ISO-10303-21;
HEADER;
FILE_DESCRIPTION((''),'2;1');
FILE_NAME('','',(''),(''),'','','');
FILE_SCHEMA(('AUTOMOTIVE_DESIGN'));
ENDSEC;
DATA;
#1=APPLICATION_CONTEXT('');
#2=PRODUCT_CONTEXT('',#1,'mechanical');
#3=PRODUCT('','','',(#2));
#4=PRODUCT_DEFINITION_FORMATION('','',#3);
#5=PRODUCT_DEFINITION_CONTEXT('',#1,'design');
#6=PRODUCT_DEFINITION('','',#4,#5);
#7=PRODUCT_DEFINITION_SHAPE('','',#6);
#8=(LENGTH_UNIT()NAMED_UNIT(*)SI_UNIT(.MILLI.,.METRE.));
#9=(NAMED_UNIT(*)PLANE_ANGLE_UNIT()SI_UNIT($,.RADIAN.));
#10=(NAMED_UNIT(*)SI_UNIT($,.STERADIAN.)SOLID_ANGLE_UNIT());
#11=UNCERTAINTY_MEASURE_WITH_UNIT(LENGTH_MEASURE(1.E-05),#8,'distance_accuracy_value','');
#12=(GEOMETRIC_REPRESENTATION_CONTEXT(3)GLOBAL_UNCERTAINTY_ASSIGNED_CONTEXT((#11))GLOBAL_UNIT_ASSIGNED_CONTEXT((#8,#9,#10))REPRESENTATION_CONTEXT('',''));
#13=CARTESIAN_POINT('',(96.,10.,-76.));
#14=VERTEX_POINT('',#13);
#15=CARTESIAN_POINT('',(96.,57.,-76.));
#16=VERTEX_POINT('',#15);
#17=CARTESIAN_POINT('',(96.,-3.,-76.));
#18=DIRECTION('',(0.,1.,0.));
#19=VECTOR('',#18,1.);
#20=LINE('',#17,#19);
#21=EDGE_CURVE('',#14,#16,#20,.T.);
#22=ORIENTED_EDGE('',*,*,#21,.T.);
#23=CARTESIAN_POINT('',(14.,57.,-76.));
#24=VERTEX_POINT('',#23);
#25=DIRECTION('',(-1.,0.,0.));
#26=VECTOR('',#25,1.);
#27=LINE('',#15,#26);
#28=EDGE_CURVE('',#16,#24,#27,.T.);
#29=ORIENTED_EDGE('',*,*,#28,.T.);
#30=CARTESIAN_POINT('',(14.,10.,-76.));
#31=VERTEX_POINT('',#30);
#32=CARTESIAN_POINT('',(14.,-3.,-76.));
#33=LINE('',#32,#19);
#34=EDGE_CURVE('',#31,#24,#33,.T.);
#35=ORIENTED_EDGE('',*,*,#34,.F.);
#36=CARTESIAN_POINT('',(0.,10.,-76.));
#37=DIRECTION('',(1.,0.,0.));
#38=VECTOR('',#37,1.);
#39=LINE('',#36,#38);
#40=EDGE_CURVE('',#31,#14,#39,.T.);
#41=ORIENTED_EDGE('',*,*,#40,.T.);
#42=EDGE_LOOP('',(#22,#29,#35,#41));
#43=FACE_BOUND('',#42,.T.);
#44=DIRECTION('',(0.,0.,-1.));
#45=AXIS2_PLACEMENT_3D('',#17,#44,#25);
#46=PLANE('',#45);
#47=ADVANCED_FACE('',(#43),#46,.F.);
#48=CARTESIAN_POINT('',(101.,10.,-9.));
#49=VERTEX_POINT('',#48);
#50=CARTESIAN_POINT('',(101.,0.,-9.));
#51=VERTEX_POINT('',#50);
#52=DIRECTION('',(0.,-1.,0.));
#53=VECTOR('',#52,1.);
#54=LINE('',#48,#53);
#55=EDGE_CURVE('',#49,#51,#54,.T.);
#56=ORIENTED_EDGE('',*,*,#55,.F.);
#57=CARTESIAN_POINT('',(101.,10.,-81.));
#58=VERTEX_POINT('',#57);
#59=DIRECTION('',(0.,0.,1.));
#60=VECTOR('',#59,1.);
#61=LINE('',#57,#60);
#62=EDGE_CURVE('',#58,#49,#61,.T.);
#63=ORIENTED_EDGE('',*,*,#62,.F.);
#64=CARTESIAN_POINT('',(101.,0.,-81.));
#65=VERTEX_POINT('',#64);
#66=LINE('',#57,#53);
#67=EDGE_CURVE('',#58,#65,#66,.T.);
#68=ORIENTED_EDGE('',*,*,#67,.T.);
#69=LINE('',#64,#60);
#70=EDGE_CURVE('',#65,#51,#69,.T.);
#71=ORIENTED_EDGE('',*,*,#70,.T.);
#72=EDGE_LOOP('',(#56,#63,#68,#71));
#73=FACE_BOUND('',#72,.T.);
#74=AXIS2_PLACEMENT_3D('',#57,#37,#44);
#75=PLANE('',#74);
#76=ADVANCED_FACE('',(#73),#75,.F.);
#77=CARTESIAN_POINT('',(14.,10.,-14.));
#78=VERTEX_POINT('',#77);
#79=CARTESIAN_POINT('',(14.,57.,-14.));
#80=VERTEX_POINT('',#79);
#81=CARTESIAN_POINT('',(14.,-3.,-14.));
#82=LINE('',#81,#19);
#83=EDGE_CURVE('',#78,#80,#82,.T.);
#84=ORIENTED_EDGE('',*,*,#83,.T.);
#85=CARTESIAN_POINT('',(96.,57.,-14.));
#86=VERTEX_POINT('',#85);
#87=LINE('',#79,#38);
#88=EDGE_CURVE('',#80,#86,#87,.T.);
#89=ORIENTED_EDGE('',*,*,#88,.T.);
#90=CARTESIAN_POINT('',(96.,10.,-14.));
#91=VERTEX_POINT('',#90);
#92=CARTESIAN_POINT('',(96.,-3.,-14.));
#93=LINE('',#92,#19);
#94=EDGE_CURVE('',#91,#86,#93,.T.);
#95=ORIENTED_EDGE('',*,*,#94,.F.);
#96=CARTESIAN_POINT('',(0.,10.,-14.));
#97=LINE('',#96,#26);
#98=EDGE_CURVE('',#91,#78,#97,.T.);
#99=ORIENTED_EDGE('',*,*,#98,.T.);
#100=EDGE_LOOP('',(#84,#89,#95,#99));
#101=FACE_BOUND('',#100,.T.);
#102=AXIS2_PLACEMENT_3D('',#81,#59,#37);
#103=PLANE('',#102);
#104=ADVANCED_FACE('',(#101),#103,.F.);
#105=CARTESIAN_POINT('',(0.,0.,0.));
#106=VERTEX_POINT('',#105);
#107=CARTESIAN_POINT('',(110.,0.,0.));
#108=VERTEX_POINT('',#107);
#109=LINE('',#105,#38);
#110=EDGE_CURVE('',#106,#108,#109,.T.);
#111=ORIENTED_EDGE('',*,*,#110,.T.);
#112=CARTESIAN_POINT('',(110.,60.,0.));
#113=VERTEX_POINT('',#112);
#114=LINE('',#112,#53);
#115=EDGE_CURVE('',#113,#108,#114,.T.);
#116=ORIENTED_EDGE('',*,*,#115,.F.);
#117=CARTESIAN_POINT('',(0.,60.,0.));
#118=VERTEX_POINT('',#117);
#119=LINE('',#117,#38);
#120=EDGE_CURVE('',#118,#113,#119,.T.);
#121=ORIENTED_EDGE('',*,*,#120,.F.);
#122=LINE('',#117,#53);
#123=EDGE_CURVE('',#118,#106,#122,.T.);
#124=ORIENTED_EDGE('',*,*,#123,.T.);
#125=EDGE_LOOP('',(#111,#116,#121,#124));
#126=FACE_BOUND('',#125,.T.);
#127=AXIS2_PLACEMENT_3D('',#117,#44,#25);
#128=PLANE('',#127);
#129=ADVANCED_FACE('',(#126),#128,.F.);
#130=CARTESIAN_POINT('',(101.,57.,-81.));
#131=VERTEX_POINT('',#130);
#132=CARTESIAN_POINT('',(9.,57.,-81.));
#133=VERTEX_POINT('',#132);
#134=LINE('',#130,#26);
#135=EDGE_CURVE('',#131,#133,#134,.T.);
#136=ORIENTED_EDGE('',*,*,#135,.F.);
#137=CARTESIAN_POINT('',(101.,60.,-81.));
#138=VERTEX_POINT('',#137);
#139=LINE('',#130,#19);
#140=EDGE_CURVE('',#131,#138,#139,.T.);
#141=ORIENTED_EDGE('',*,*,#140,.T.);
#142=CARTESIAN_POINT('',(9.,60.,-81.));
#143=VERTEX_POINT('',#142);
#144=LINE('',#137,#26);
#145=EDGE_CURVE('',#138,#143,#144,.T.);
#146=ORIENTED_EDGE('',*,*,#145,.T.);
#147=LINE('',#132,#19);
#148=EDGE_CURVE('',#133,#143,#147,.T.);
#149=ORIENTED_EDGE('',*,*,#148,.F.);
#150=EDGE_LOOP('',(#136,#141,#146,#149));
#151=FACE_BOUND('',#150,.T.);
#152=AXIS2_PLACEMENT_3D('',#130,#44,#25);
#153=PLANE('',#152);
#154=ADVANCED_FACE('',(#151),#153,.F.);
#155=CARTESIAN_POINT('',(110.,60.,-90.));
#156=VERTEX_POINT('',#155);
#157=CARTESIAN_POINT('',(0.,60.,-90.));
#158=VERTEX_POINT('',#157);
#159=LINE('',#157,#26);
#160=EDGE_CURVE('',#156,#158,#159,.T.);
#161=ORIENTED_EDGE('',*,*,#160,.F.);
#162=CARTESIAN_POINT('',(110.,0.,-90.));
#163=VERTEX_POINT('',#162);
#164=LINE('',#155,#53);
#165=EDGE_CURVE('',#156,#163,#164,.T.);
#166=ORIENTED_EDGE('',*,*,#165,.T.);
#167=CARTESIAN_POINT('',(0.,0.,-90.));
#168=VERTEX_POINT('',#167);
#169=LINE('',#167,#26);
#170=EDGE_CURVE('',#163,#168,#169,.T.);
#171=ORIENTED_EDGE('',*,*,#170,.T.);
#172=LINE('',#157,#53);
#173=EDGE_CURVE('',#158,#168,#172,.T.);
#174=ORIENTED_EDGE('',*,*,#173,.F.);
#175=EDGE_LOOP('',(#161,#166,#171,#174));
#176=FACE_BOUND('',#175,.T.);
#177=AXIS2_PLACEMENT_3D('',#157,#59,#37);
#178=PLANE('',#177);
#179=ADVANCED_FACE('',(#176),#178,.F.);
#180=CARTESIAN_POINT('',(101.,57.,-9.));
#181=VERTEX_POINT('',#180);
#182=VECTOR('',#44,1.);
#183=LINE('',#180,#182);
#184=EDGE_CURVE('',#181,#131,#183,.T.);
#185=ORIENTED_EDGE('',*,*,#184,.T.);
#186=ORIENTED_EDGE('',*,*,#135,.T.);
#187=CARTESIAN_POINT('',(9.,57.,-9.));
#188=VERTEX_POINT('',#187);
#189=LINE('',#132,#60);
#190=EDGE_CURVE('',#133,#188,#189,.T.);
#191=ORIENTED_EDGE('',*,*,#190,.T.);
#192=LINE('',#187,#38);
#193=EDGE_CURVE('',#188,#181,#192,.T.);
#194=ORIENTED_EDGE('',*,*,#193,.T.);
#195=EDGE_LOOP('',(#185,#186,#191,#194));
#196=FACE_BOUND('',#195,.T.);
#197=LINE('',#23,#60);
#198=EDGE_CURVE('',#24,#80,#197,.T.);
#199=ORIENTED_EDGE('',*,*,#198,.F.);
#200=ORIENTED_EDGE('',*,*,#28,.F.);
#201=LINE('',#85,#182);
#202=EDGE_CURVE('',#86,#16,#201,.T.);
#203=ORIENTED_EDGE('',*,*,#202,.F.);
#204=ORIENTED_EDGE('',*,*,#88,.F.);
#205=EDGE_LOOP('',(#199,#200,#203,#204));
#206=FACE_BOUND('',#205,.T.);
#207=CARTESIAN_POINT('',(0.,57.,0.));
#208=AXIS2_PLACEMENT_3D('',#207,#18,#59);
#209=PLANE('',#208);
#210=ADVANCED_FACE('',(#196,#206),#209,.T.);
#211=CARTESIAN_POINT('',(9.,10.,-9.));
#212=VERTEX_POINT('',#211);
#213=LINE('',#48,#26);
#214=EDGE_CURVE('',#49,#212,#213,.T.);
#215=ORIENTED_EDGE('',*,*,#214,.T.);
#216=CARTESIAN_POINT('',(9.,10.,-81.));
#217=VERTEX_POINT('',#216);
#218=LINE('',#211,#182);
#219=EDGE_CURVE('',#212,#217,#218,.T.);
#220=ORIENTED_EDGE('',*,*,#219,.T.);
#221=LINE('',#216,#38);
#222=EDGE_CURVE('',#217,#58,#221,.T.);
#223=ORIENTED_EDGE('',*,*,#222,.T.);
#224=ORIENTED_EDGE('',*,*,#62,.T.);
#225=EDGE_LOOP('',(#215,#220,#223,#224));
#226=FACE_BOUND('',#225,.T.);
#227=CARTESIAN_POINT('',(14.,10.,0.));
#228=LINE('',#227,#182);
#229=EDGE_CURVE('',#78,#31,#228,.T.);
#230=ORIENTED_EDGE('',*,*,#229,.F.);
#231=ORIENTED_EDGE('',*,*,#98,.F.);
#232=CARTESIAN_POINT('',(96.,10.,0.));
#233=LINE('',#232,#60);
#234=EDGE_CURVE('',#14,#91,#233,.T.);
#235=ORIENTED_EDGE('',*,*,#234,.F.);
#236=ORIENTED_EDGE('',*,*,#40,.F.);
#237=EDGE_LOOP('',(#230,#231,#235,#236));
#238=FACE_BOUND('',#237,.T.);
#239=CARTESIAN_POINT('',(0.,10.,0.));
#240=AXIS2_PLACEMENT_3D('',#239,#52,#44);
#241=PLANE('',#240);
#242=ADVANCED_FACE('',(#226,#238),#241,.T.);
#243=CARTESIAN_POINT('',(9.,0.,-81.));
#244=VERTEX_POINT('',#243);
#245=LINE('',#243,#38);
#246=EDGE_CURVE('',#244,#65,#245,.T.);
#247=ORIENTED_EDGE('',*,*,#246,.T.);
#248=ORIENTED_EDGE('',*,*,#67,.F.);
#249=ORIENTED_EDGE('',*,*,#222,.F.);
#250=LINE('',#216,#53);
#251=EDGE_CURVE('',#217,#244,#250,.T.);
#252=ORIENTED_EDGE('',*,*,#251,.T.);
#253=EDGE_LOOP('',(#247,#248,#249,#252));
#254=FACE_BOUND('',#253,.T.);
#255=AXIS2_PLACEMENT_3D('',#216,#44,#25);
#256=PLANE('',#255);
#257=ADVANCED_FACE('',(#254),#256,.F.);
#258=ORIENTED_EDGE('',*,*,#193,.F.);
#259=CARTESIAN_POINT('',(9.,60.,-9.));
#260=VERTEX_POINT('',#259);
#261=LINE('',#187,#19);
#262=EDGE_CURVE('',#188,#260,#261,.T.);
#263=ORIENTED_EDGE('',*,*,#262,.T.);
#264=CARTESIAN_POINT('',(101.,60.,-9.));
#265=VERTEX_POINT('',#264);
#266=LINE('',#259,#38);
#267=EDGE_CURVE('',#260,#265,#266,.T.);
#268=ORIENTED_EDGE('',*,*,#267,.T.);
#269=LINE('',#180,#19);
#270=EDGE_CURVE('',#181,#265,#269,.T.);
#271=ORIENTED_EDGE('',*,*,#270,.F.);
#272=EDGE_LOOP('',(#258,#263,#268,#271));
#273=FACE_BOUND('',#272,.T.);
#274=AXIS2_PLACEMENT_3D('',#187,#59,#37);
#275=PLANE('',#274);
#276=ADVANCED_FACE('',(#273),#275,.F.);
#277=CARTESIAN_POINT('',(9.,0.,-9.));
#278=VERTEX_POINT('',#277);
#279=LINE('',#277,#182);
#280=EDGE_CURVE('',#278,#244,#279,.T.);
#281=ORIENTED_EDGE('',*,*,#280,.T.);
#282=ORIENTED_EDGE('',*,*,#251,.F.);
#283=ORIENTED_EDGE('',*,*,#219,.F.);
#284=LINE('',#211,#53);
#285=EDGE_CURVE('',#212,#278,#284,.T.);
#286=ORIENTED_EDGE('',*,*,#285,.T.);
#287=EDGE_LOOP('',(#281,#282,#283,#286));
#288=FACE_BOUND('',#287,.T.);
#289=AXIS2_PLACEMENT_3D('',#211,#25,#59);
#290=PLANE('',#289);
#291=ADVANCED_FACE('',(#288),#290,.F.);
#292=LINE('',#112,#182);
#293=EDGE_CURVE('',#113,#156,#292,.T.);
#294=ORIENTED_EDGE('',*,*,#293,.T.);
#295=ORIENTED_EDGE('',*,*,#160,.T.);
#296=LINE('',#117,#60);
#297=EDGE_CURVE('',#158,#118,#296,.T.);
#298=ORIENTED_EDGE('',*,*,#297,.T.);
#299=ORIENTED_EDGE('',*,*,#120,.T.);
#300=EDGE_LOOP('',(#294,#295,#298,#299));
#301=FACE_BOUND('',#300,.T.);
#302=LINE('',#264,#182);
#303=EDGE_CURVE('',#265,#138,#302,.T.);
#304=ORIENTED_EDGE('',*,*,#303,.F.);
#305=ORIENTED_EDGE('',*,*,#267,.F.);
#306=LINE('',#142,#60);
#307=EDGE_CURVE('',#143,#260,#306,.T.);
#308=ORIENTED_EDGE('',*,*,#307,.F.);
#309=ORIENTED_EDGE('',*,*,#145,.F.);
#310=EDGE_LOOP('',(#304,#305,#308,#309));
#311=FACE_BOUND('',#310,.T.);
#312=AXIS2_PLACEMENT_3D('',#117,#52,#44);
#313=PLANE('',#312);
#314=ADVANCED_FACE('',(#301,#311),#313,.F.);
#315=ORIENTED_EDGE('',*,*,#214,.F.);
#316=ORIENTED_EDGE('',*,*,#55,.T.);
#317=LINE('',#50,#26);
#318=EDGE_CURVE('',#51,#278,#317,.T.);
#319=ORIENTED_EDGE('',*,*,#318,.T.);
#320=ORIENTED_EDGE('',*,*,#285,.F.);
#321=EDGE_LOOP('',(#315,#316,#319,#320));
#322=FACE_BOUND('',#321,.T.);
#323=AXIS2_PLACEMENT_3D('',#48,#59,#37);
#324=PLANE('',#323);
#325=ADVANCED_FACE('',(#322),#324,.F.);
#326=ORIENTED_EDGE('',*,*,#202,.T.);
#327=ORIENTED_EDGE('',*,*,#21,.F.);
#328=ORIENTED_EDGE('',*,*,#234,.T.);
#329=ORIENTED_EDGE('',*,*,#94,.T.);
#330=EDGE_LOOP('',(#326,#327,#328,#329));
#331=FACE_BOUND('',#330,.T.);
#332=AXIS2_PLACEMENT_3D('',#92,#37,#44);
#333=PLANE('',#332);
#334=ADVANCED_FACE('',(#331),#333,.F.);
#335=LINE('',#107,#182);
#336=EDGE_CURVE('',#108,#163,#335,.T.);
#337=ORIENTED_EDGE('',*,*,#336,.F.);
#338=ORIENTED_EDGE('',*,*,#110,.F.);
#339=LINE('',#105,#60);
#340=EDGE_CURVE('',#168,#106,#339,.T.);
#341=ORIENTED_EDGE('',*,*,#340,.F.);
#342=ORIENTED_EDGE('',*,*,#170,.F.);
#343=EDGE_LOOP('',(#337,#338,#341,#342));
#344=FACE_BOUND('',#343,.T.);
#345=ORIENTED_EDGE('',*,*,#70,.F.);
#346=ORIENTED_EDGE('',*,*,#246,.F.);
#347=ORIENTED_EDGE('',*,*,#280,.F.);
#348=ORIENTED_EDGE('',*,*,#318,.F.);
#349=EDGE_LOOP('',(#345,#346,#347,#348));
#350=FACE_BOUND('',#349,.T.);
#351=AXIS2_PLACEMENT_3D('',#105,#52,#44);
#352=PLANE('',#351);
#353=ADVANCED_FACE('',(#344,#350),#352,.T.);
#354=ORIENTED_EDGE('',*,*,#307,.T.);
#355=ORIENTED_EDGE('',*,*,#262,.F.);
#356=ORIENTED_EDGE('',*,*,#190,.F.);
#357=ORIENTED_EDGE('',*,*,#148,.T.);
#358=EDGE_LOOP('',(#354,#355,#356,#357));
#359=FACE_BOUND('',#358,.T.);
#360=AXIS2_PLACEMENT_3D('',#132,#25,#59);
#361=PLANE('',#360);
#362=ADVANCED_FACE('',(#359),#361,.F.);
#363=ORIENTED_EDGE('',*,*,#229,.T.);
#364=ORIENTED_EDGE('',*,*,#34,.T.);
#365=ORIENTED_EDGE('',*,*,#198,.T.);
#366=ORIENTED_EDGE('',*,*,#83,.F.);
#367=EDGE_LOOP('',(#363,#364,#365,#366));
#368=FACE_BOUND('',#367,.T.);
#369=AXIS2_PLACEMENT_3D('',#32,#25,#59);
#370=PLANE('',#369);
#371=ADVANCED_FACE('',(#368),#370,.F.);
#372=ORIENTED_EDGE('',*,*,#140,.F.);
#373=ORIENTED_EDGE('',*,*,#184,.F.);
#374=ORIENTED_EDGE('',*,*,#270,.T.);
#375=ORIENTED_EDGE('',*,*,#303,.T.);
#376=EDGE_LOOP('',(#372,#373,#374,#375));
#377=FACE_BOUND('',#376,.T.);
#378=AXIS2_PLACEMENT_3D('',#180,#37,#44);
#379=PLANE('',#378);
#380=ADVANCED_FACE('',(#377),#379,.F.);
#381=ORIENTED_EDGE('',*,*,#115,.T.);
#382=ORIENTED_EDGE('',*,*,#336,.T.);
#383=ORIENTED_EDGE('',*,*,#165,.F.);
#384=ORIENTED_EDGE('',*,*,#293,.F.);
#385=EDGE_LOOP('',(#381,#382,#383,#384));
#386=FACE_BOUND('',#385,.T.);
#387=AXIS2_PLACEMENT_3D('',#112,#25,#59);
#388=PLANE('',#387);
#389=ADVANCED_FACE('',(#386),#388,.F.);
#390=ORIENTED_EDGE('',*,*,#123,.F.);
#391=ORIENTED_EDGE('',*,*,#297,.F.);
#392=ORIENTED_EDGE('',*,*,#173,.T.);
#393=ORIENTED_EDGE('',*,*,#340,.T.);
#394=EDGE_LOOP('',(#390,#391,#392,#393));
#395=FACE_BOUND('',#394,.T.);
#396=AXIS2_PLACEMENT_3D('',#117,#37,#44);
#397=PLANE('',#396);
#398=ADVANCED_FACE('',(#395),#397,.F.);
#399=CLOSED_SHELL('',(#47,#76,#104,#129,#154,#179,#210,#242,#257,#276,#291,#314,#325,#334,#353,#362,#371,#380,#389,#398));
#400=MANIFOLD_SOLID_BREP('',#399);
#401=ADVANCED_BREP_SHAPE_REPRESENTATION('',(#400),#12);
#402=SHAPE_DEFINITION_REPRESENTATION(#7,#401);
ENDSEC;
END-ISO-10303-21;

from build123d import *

# Parameters (mm, degrees)
SKETCH2_W           = 110
SKETCH2_H           = 90
BOSS_EXTRUDE2_DEPTH = 60
SKETCH5_W           = 92
SKETCH5_H           = 72
CUT_EXTRUDE3_DEPTH  = 3
SKETCH6_W           = 92
SKETCH6_H           = 72
CUT_EXTRUDE4_DEPTH  = 10
SKETCH7_W           = 82
SKETCH7_H           = 62
CUT_EXTRUDE5_DEPTH  = 60


with BuildPart() as part:
    # Sketch2 → Boss-Extrude2 (new body)
    with BuildSketch(Plane(origin=(0, 0, 0), x_dir=(1, 0, 0), z_dir=(0, 1, 0))):
        with Locations((55, 45)):
            Rectangle(SKETCH2_W, SKETCH2_H)
    extrude(amount=BOSS_EXTRUDE2_DEPTH)

    # Sketch5 → Cut-Extrude3 (cut)
    with BuildSketch(Plane(origin=(0, 60, 0), x_dir=(1, 0, 0), z_dir=(0, 1, 0))):
        with Locations((55, 45)):
            Rectangle(SKETCH5_W, SKETCH5_H)
    extrude(amount=-CUT_EXTRUDE3_DEPTH, mode=Mode.SUBTRACT)

    # Sketch6 → Cut-Extrude4 (cut)
    with BuildSketch(Plane.XZ):
        with Locations((55, -45)):
            Rectangle(SKETCH6_W, SKETCH6_H)
    extrude(amount=-CUT_EXTRUDE4_DEPTH, mode=Mode.SUBTRACT)

    # Sketch7 → Cut-Extrude5 (cut)
    with BuildSketch(Plane(origin=(0, 57, 0), x_dir=(1, 0, 0), z_dir=(0, 1, 0))):
        with Locations((55, 45)):
            Rectangle(SKETCH7_W, SKETCH7_H)
    extrude(amount=-CUT_EXTRUDE5_DEPTH, mode=Mode.SUBTRACT)


solid = part.part
